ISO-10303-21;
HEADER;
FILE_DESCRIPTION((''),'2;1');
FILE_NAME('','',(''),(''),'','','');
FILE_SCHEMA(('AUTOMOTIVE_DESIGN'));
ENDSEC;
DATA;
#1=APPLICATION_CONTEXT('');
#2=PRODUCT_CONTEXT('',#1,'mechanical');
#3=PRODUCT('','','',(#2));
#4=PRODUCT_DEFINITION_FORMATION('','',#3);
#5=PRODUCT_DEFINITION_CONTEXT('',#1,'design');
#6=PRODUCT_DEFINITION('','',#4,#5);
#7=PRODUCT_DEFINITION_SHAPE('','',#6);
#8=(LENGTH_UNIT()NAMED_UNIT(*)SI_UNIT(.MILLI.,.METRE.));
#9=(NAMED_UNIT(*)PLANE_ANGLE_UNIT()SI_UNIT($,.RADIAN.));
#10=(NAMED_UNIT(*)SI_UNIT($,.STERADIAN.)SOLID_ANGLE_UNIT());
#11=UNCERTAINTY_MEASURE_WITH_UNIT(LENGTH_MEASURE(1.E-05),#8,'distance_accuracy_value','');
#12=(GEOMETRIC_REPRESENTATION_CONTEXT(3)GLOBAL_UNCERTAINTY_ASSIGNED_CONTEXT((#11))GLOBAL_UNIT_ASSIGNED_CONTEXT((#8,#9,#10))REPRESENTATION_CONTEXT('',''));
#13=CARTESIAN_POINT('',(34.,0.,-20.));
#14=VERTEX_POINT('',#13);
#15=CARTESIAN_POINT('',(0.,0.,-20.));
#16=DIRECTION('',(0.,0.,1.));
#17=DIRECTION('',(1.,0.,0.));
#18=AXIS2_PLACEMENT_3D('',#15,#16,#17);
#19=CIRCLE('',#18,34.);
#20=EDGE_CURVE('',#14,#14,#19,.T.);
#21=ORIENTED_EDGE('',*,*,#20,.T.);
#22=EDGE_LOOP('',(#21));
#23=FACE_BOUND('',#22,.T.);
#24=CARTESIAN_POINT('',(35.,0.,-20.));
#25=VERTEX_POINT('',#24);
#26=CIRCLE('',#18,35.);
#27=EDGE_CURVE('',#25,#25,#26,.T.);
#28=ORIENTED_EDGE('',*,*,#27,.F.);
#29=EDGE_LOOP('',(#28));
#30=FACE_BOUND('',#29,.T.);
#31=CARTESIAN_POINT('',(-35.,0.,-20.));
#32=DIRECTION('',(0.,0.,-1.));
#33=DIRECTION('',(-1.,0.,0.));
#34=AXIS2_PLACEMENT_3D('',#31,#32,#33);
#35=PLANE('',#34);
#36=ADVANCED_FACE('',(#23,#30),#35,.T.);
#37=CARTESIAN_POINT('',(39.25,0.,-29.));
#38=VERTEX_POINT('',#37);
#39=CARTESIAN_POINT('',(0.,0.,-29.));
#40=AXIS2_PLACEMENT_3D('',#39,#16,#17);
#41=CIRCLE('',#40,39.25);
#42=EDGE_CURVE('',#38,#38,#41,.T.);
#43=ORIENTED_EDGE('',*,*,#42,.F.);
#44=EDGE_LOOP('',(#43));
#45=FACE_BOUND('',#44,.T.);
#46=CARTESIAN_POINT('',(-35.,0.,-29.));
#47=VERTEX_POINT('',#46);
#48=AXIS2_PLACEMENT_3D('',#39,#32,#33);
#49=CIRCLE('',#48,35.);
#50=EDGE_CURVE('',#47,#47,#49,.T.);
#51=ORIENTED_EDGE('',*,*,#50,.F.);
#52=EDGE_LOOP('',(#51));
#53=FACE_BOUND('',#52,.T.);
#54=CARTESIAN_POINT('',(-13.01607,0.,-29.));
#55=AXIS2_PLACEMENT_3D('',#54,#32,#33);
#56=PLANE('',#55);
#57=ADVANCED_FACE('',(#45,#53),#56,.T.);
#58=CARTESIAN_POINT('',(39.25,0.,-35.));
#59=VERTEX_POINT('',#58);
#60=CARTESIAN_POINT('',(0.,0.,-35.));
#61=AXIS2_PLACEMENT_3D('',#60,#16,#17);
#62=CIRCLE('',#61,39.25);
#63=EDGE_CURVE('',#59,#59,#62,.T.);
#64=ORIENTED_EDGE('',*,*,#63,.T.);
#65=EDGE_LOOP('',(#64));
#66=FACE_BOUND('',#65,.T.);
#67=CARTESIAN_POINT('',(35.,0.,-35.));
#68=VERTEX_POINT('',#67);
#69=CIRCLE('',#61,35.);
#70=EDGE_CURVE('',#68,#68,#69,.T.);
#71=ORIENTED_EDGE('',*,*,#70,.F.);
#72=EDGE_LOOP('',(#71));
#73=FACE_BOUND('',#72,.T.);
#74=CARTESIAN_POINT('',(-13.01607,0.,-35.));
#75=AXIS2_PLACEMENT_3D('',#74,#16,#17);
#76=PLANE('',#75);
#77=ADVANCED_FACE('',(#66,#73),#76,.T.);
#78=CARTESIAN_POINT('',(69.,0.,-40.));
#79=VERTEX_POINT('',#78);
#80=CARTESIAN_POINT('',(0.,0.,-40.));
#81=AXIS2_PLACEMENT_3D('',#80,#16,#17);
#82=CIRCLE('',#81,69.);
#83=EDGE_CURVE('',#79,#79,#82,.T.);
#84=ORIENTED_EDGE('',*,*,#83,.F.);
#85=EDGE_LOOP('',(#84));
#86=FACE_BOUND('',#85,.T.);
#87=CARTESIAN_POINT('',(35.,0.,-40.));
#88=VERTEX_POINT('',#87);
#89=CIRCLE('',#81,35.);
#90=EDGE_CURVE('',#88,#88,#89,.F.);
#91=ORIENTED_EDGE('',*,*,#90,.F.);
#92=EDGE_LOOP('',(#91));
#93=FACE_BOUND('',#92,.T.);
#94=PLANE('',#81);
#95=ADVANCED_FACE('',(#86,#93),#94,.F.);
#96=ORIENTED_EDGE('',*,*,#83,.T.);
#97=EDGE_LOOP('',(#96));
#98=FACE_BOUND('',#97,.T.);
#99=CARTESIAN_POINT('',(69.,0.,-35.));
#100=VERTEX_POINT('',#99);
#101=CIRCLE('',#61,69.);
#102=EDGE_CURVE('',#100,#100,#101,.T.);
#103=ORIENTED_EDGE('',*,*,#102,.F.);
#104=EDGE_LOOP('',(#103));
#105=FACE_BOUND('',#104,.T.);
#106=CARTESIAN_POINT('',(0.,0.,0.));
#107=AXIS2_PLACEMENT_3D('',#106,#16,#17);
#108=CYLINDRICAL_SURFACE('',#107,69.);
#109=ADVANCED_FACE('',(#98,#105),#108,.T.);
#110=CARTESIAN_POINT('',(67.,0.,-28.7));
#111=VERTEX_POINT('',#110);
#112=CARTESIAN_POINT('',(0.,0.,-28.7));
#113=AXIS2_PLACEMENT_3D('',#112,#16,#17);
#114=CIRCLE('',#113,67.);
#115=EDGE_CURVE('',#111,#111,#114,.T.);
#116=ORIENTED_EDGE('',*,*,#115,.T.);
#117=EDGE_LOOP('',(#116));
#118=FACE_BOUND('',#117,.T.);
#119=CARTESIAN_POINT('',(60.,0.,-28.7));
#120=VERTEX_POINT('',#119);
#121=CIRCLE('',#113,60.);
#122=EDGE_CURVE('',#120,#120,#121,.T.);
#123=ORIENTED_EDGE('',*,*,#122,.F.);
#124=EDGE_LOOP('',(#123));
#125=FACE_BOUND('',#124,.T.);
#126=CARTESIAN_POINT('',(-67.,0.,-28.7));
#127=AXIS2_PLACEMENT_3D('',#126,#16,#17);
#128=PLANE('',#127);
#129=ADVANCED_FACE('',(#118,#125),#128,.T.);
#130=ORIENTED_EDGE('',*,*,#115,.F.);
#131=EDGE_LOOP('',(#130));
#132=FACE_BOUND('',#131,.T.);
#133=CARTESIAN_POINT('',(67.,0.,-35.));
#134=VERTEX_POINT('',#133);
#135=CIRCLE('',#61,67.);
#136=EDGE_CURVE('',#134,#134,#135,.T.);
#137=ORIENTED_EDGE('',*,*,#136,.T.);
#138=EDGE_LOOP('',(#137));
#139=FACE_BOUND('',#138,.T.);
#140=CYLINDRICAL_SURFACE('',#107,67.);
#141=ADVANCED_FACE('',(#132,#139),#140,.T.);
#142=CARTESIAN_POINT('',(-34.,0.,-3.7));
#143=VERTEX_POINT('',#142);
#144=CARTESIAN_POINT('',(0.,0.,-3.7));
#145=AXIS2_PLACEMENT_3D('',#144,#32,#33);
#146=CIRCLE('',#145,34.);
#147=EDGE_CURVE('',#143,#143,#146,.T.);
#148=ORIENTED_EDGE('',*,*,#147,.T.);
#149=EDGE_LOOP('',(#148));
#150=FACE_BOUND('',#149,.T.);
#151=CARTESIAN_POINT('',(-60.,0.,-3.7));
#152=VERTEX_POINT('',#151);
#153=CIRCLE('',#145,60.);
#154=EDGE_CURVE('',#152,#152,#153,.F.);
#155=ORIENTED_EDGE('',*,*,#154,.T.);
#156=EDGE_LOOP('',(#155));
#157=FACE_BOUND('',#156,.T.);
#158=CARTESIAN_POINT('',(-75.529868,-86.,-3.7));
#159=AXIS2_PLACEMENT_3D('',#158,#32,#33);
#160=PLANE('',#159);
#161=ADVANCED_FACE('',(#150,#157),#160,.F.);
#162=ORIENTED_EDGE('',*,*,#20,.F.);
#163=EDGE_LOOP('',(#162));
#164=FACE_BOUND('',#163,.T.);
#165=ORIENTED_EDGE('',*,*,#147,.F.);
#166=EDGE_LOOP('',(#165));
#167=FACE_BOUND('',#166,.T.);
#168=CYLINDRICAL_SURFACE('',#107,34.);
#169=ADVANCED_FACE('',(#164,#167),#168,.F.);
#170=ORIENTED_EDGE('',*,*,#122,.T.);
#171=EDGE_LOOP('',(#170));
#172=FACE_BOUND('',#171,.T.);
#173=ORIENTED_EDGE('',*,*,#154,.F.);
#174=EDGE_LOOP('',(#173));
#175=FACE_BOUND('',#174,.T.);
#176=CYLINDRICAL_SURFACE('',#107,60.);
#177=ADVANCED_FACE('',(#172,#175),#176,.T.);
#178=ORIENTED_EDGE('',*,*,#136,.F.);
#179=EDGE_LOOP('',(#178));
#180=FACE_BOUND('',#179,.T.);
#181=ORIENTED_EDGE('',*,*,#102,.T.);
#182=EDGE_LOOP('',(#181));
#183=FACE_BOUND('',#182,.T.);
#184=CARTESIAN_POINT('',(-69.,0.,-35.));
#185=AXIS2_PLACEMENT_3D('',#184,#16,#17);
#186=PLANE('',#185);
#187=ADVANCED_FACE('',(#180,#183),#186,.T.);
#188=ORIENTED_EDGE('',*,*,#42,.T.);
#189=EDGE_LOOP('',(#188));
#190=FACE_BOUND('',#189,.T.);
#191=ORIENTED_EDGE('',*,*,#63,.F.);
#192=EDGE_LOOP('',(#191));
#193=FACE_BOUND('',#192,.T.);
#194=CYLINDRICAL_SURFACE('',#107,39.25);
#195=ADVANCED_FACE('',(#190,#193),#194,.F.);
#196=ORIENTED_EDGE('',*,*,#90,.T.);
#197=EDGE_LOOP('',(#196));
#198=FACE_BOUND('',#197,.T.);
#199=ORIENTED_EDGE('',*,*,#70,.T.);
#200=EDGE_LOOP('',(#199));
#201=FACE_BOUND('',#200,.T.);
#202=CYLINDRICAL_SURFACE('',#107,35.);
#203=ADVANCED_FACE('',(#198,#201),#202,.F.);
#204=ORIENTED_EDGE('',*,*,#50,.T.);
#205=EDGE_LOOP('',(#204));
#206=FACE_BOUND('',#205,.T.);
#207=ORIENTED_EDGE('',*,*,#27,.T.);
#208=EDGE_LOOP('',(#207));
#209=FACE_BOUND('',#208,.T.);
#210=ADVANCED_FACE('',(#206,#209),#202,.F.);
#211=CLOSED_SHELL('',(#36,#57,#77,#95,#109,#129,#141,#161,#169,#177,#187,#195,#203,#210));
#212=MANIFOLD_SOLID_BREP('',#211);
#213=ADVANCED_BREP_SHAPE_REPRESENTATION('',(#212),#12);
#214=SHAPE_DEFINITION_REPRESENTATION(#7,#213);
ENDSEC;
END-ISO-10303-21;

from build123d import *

# Parameters (mm, degrees)
SKETCH1_R           = 70
BOSS_EXTRUDE1_DEPTH = 40
SKETCH3_W           = 14
SKETCH3_H           = 32.4
SKETCH5_W           = 26.233930481
SKETCH5_H           = 6
SKETCH6_W           = 149.593137009
SKETCH6_H           = 50.047703926
CUT_EXTRUDE1_DEPTH  = 86


with BuildPart() as part:
    # Sketch1 → Boss-Extrude1 (new body, symmetric)
    with BuildSketch(Plane.XY):
        Circle(SKETCH1_R)
    extrude(amount=BOSS_EXTRUDE1_DEPTH, both=True)

    # Sketch2 → Cut-Revolve1 (revolve, cut)
    with BuildSketch(Plane(origin=(0, 0, 0), x_dir=(1, 0, 0), z_dir=(0, 1, 0))):
        Polygon((-69, 40), (-69, 35), (-67, 35), (-67, 28.7), (-60, 28.7), (-60, 3.7), (-67, 3.7), (-67, -2.6), (-69, -2.6), (-69, -44.705491592), (-73.643536697, -44.705491592), (-73.643536697, 40), align=None)
    revolve(axis=Axis((0, 0, 0), (0, 0, -1)), mode=Mode.SUBTRACT)

    # Sketch3 → Cut-Revolve2 (revolve, cut)
    with BuildSketch(Plane(origin=(0, 0, 0), x_dir=(1, 0, 0), z_dir=(0, 1, 0))):
        with Locations((-62, -23.8)):
            Rectangle(SKETCH3_W, SKETCH3_H)
    revolve(axis=Axis((0, 0, 0), (0, 0, 1)), mode=Mode.SUBTRACT)

    # Sketch4 → Cut-Revolve3 (revolve, cut)
    with BuildSketch(Plane(origin=(0, 0, 0), x_dir=(1, 0, 0), z_dir=(0, 1, 0))):
        Polygon((0, 42.623044552), (-35, 42.623044552), (-35, 20), (-34, 20), (-34, -40), (0, -40), align=None)
    revolve(axis=Axis((0, 0, 0), (0, 0, -1)), mode=Mode.SUBTRACT)

    # Sketch5 → Cut-Revolve4 (revolve, cut)
    with BuildSketch(Plane(origin=(0, 0, 0), x_dir=(1, 0, 0), z_dir=(0, 1, 0))):
        with Locations((-26.133034759, 32)):
            Rectangle(SKETCH5_W, SKETCH5_H)
    revolve(axis=Axis((0, 0, 0), (0, 0, -1)), mode=Mode.SUBTRACT)

    # Sketch6 → Cut-Extrude1 (cut, symmetric)
    with BuildSketch(Plane(origin=(0, 0, 0), x_dir=(1, 0, 0), z_dir=(0, 1, 0))):
        with Locations((-0.733299692, -21.323851963)):
            Rectangle(SKETCH6_W, SKETCH6_H)
    extrude(amount=CUT_EXTRUDE1_DEPTH, both=True, mode=Mode.SUBTRACT)


solid = part.part
